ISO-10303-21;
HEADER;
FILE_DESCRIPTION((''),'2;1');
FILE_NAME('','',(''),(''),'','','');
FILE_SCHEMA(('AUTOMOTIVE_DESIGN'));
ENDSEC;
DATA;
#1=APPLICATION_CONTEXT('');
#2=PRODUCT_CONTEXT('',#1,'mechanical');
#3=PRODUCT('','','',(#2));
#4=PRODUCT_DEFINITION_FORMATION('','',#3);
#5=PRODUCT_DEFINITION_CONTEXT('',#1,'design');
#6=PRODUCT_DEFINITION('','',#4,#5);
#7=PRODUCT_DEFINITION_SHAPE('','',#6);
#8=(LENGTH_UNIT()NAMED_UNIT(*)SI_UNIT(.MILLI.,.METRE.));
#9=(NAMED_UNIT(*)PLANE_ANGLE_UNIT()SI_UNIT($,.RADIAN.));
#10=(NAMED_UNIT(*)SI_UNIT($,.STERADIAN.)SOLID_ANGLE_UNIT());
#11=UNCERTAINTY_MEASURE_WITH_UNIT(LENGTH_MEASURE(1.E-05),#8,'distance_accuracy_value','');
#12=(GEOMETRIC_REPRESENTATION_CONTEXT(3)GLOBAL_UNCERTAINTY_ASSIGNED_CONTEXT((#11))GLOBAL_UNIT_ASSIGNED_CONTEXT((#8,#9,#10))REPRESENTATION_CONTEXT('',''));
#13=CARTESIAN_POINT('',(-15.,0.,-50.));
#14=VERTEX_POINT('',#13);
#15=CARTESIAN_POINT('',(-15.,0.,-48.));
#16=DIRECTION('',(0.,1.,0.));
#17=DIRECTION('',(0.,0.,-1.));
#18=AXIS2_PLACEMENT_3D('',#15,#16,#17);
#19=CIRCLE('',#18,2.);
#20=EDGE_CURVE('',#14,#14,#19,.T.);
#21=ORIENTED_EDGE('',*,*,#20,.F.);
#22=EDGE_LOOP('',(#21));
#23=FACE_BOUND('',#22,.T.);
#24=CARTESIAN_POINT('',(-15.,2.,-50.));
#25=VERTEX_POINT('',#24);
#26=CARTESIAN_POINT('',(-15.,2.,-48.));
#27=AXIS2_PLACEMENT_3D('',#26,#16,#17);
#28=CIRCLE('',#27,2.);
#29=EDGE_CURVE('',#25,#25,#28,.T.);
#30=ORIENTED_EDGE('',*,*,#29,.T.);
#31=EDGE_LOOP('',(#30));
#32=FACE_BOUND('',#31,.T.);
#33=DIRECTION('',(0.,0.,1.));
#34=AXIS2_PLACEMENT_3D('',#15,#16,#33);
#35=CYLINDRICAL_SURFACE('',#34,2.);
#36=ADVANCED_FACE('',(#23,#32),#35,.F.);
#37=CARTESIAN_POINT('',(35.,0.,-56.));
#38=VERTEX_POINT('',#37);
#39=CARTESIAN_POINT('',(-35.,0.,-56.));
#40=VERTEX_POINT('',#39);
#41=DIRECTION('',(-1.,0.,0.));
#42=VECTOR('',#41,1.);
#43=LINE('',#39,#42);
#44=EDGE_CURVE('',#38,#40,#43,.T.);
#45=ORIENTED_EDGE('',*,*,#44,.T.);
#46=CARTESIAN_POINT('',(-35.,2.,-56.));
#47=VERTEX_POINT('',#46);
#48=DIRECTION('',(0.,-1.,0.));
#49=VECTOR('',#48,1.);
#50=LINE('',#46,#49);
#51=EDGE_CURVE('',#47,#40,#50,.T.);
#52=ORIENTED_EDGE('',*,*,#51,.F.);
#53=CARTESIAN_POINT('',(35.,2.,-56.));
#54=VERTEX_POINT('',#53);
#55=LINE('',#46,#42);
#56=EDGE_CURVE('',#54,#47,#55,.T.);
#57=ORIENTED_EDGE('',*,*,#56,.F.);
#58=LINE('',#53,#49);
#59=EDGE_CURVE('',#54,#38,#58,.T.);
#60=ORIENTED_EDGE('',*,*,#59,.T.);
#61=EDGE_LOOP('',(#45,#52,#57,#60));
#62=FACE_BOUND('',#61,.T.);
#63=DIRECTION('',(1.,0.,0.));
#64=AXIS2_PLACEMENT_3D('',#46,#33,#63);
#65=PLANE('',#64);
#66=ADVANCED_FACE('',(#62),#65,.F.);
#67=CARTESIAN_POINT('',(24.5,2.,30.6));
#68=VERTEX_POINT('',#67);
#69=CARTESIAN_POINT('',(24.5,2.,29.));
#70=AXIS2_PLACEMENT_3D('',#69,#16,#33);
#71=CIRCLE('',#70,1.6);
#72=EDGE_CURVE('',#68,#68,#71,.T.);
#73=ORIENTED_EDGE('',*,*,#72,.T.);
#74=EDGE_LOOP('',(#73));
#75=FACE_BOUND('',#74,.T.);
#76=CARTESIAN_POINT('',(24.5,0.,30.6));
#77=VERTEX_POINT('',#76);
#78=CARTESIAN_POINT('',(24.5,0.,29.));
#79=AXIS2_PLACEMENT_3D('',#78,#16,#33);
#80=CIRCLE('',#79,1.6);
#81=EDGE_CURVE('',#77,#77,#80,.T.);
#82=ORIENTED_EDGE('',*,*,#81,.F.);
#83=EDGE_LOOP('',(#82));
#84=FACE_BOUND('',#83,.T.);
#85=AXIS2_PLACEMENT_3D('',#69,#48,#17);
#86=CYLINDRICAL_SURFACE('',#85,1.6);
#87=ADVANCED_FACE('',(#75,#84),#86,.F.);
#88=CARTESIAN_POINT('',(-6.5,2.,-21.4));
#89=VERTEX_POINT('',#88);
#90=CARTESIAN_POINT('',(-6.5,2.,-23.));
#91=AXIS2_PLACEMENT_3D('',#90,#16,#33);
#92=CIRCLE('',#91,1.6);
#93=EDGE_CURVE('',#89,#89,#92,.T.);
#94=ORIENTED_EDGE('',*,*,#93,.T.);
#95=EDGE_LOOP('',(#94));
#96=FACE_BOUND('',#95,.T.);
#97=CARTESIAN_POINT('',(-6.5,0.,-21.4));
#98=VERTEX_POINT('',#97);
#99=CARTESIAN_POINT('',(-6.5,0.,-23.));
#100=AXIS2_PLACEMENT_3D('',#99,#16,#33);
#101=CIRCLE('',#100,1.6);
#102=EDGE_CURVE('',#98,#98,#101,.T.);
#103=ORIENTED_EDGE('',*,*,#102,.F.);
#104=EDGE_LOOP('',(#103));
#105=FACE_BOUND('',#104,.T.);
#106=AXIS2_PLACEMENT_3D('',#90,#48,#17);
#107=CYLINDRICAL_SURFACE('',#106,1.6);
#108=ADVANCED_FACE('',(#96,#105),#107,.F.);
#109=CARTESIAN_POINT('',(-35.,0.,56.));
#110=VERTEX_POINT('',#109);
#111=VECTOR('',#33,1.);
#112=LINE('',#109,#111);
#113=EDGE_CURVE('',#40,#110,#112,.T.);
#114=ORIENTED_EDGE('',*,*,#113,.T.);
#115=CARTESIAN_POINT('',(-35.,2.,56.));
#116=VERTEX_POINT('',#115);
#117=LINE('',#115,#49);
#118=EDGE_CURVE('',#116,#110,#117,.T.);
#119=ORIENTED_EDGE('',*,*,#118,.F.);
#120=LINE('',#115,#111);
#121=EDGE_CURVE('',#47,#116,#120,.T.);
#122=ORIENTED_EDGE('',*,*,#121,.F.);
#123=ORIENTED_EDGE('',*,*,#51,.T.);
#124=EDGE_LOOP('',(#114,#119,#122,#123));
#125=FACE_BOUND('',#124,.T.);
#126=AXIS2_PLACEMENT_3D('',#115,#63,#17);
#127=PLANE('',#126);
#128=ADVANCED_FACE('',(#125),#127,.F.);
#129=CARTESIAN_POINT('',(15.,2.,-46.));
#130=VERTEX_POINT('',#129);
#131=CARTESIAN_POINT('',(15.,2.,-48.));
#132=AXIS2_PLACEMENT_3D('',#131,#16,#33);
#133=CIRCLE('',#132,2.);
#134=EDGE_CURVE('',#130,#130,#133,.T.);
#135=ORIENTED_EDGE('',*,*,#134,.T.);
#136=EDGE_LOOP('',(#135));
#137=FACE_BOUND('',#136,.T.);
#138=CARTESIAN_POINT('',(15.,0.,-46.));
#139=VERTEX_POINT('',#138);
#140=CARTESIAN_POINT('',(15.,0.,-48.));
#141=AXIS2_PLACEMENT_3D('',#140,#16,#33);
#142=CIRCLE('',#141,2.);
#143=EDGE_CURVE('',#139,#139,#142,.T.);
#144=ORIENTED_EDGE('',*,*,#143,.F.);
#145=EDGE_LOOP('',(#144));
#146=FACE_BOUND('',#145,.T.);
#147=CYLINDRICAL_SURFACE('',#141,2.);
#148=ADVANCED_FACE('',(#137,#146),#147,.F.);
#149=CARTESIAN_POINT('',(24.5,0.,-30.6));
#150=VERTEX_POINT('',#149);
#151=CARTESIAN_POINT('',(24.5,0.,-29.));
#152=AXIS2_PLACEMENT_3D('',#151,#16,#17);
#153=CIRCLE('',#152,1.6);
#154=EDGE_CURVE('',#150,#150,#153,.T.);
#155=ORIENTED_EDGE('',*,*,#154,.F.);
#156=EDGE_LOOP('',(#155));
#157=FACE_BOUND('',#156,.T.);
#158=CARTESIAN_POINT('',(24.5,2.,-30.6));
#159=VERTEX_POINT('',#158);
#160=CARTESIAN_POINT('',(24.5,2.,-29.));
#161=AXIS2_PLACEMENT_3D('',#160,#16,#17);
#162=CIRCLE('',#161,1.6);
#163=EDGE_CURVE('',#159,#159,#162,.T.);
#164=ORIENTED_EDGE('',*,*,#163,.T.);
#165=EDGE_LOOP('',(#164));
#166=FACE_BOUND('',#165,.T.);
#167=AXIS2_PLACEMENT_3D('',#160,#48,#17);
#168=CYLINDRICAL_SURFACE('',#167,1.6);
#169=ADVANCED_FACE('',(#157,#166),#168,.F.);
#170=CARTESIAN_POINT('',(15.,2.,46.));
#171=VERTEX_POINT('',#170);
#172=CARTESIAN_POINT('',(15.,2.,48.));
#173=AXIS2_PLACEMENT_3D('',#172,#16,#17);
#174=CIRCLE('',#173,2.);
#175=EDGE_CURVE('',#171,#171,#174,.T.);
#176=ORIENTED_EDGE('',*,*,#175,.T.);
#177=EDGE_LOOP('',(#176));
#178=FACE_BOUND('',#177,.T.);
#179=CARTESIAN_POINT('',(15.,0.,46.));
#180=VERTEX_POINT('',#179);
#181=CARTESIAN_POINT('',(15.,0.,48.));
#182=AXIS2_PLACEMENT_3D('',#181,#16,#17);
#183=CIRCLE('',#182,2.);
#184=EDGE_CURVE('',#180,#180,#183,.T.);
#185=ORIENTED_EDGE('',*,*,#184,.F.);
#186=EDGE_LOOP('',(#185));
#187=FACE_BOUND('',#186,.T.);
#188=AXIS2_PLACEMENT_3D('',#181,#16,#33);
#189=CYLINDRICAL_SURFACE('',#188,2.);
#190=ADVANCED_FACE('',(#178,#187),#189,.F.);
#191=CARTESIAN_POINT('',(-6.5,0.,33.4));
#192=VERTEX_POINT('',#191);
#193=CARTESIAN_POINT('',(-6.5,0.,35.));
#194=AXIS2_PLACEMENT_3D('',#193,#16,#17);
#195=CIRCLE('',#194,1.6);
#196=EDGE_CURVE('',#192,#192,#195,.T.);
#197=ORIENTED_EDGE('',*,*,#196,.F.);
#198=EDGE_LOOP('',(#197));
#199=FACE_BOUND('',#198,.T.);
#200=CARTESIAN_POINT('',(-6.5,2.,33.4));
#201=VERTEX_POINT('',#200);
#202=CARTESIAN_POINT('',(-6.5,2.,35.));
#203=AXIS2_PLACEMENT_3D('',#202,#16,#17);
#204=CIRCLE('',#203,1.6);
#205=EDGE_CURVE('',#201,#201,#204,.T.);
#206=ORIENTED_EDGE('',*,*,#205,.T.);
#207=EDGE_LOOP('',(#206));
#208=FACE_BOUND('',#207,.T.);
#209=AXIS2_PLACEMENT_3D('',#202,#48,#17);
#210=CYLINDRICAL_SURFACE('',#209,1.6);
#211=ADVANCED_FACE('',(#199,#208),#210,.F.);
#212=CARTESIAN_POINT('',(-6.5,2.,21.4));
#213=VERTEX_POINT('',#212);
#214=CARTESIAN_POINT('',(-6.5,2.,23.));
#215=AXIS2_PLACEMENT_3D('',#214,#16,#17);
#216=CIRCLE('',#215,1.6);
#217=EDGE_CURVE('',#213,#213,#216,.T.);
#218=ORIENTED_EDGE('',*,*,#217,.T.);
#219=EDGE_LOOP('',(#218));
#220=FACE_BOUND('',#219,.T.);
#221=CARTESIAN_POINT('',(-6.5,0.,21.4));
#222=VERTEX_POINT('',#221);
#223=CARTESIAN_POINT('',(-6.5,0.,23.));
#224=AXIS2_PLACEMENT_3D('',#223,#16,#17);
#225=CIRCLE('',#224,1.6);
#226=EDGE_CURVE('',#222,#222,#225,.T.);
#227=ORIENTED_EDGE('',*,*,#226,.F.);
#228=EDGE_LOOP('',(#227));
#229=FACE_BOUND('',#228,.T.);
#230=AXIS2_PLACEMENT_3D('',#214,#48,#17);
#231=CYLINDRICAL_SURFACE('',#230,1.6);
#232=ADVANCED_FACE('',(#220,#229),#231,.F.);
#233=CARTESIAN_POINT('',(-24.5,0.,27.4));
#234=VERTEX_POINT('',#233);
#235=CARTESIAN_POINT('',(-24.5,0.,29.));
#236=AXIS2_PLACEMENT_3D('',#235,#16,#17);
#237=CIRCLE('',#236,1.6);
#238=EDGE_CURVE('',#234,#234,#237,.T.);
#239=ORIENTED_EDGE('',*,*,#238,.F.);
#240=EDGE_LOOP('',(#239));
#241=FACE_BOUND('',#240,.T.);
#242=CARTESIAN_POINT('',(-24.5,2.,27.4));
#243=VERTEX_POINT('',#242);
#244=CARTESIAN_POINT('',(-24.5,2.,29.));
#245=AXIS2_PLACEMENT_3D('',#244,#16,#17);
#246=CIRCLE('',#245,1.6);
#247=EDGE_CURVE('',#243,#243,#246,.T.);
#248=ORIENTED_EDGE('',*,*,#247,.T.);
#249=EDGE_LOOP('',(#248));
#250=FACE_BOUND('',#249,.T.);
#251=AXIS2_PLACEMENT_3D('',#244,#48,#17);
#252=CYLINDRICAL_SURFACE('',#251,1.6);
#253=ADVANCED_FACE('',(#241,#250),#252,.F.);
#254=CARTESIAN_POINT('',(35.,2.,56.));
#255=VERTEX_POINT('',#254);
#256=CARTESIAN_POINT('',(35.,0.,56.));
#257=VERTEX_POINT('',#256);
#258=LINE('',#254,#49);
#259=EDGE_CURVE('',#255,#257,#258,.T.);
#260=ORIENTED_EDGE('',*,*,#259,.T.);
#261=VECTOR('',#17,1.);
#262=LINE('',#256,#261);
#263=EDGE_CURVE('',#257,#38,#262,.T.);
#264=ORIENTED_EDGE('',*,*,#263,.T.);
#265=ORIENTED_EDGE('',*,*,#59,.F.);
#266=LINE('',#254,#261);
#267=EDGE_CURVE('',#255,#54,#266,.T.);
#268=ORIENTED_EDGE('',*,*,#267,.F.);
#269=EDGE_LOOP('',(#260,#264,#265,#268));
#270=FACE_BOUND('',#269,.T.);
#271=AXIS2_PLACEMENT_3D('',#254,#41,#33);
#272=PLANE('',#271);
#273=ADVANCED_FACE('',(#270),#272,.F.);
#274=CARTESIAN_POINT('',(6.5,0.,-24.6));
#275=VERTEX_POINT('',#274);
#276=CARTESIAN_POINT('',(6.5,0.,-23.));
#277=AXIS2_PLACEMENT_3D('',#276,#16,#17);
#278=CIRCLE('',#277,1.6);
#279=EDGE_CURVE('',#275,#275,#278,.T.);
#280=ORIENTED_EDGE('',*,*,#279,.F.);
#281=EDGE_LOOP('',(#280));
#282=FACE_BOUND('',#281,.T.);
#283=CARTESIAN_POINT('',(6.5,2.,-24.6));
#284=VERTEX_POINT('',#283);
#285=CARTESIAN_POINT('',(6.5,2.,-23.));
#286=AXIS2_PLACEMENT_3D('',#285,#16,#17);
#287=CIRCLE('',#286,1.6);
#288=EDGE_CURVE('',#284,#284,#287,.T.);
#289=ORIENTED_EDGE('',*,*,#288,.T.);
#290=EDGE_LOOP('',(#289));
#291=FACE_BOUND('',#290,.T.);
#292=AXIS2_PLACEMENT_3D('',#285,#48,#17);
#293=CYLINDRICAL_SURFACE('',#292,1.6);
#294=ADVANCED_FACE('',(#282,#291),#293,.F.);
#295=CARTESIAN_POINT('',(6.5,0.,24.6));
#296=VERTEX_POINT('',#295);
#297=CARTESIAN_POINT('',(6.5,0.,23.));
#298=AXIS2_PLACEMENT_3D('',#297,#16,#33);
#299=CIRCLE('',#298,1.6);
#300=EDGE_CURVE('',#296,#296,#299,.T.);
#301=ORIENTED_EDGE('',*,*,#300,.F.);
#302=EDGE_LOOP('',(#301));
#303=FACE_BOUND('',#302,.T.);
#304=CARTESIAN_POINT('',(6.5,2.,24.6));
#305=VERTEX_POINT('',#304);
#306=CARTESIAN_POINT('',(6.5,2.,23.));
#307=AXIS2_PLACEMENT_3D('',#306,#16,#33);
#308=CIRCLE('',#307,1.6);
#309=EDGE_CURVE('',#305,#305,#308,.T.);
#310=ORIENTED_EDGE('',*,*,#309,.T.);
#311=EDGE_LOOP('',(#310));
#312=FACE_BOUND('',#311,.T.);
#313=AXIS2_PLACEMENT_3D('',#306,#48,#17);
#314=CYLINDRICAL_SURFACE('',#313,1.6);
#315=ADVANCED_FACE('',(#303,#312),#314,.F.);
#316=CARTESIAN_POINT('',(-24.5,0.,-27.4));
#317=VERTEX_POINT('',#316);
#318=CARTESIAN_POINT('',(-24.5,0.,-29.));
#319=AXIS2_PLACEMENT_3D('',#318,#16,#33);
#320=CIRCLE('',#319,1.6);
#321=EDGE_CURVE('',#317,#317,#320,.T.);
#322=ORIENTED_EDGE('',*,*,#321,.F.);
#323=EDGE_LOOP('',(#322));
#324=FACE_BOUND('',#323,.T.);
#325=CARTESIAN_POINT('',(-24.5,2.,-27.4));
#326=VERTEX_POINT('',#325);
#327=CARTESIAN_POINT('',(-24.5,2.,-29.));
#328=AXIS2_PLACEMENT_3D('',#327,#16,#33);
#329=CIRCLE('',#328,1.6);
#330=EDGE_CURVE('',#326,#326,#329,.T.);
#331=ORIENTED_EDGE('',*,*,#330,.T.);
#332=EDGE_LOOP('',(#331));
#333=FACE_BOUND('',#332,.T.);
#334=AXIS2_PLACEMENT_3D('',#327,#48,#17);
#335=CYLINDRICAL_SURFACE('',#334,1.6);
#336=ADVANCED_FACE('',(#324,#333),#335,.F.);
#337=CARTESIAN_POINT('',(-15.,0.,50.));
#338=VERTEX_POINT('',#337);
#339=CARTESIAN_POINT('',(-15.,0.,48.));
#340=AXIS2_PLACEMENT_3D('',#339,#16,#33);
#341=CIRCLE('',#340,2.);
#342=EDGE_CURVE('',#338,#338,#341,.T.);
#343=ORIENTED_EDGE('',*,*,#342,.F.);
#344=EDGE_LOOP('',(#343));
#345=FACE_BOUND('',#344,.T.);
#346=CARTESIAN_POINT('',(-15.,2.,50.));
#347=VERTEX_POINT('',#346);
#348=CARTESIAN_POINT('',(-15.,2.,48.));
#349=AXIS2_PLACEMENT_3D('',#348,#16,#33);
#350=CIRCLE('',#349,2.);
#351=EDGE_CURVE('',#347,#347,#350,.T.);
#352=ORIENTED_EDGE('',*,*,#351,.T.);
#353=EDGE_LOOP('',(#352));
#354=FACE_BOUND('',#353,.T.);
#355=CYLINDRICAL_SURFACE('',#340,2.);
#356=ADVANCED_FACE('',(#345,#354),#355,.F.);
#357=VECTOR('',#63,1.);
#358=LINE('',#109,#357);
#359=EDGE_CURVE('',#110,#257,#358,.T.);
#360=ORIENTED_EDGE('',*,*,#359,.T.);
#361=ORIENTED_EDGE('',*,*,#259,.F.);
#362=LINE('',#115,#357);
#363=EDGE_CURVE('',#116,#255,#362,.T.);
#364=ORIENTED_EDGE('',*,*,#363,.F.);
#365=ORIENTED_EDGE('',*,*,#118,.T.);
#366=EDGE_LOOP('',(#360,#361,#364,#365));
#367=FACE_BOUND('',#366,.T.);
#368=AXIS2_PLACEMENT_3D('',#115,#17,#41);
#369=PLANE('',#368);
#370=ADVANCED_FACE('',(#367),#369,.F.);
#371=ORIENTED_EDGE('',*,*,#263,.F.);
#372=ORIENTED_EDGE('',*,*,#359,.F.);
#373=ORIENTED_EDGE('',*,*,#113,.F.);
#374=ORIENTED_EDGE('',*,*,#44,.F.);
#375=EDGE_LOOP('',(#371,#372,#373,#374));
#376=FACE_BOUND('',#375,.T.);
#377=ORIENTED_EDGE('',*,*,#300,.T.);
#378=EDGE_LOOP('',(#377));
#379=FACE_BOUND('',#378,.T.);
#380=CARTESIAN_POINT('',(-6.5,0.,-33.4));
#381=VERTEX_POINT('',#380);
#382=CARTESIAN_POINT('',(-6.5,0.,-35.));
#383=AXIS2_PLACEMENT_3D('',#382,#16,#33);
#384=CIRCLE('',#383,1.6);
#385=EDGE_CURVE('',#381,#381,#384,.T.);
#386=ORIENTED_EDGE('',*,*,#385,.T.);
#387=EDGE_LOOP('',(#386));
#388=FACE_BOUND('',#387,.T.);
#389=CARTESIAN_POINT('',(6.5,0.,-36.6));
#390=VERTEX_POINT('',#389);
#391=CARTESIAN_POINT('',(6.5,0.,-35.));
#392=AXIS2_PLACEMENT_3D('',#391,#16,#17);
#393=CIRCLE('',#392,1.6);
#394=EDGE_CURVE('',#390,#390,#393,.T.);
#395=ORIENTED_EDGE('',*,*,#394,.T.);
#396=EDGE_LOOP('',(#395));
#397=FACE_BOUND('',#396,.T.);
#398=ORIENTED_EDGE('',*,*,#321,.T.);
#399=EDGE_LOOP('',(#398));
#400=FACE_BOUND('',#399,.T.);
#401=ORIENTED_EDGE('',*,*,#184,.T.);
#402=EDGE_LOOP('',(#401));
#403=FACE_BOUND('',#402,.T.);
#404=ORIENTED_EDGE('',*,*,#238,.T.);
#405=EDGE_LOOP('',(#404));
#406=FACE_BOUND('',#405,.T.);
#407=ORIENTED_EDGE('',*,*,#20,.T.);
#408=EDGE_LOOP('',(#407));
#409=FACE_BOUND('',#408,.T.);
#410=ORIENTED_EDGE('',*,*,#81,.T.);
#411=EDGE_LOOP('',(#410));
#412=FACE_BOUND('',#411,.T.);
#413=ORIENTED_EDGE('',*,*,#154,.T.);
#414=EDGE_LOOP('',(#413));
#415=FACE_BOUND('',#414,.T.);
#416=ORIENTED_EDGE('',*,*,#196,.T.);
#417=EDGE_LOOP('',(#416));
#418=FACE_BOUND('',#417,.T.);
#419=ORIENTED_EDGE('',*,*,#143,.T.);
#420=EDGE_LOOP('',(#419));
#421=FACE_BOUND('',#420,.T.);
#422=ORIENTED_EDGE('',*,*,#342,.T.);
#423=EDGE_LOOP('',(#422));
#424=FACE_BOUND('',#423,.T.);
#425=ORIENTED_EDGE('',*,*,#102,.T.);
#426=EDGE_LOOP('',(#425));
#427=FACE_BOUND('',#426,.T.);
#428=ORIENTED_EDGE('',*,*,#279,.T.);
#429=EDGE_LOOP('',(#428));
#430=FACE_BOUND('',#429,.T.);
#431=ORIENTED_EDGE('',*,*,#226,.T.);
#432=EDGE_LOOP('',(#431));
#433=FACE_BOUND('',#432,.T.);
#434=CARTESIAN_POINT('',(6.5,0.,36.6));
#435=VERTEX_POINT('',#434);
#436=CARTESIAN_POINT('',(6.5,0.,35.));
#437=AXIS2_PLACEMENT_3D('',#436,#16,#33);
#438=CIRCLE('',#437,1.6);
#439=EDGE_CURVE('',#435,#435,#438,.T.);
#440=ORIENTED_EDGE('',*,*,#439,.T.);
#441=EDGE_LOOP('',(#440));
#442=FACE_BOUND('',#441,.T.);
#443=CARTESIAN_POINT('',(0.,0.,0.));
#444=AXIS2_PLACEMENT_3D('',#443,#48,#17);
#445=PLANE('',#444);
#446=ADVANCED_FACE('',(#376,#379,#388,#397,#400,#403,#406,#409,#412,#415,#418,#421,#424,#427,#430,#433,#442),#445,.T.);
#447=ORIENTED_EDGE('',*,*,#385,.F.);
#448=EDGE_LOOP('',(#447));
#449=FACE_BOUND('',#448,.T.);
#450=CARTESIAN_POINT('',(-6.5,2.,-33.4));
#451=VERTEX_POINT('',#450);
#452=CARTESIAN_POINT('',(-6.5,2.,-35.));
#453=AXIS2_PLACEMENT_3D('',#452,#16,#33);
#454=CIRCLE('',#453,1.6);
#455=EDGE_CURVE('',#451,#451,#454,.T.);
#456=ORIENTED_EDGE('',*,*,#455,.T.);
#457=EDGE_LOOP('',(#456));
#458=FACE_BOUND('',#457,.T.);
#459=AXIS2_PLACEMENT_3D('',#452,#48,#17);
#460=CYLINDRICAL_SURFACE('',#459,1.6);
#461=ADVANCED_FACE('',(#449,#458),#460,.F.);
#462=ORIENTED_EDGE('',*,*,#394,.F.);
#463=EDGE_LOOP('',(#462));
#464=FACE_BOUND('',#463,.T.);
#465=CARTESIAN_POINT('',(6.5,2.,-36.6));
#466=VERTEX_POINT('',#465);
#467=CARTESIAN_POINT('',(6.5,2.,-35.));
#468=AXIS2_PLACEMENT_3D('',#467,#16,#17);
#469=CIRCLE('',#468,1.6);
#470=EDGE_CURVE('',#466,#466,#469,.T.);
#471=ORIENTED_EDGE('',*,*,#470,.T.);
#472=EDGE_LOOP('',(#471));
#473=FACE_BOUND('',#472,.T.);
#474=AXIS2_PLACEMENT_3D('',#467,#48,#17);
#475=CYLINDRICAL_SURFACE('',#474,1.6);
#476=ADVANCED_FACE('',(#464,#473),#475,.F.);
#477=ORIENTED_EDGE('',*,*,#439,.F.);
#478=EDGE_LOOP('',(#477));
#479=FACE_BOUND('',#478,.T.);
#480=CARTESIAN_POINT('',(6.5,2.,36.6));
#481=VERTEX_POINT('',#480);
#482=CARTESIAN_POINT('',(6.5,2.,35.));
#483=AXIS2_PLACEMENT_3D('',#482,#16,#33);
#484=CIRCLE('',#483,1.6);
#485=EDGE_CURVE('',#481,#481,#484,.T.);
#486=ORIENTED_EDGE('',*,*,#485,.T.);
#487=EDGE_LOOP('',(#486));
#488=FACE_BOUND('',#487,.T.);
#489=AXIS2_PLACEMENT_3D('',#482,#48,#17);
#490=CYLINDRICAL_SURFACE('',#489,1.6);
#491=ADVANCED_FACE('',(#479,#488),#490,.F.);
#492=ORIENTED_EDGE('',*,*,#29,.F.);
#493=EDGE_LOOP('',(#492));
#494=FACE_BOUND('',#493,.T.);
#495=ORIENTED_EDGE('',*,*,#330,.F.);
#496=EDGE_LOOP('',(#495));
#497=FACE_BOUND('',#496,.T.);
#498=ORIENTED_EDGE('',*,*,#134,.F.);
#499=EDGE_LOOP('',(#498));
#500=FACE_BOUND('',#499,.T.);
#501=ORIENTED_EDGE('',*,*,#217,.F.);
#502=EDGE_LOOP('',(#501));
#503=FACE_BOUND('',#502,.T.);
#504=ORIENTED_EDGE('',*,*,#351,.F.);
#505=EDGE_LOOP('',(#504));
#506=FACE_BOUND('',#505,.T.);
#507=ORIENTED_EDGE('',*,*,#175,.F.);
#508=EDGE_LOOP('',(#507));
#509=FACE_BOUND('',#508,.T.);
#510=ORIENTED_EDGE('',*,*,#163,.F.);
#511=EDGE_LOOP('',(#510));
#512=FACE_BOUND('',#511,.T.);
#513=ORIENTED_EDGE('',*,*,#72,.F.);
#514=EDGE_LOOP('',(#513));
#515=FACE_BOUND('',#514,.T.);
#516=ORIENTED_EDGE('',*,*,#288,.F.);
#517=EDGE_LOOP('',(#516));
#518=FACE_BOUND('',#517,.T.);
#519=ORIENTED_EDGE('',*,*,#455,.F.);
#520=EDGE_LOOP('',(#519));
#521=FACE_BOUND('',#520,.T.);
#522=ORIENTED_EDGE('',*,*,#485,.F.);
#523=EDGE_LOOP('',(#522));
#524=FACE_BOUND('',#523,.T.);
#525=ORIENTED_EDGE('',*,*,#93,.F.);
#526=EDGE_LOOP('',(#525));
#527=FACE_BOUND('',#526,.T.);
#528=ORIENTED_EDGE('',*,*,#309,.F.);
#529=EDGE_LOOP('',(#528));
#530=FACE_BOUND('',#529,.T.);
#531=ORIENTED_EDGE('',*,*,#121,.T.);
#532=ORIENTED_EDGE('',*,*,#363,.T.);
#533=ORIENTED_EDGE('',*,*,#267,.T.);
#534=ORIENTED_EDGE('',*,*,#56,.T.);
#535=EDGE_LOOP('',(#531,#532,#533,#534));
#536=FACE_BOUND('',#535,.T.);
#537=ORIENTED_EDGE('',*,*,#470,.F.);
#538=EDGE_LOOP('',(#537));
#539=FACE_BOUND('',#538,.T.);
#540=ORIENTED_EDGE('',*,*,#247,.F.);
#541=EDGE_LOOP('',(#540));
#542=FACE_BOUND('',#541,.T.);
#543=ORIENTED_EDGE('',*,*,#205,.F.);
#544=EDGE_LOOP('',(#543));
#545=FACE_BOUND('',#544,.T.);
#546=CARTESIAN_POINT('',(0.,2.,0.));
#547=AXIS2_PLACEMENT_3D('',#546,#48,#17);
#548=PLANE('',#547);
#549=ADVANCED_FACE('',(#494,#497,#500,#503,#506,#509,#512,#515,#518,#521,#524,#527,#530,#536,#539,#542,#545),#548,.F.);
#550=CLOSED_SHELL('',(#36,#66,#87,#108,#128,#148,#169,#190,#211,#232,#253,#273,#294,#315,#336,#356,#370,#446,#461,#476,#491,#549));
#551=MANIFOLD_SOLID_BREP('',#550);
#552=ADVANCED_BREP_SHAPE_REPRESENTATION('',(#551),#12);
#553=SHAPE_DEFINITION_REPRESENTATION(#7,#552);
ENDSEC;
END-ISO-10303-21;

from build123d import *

# Parameters (mm, degrees)
SKETCH_2_W          = 70
SKETCH_2_H          = 112
SKETCH_2_R          = 1.6
EXTRUDE_1_DEPTH     = 2
SKETCH_3_R          = 2
CUT_EXTRUDE_1_DEPTH = 3


with BuildPart() as part:
    # 草圖2 → 填料-伸長1 (new body)
    with BuildSketch(Plane(origin=(0, 0, 0), x_dir=(1, 0, 0), z_dir=(0, 1, 0))):
        Rectangle(SKETCH_2_W, SKETCH_2_H)
        with Locations((-6.5, 35)):
            Circle(SKETCH_2_R, mode=Mode.SUBTRACT)
        with Locations((-6.5, -35)):
            Circle(SKETCH_2_R, mode=Mode.SUBTRACT)
        with Locations((-6.5, 23)):
            Circle(SKETCH_2_R, mode=Mode.SUBTRACT)
        with Locations((-6.5, -23)):
            Circle(SKETCH_2_R, mode=Mode.SUBTRACT)
        with Locations((6.5, -35)):
            Circle(SKETCH_2_R, mode=Mode.SUBTRACT)
        with Locations((6.5, -23)):
            Circle(SKETCH_2_R, mode=Mode.SUBTRACT)
        with Locations((6.5, 23)):
            Circle(SKETCH_2_R, mode=Mode.SUBTRACT)
        with Locations((6.5, 35)):
            Circle(SKETCH_2_R, mode=Mode.SUBTRACT)
        with Locations((-24.5, 29)):
            Circle(SKETCH_2_R, mode=Mode.SUBTRACT)
        with Locations((24.5, 29)):
            Circle(SKETCH_2_R, mode=Mode.SUBTRACT)
        with Locations((-24.5, -29)):
            Circle(SKETCH_2_R, mode=Mode.SUBTRACT)
        with Locations((24.5, -29)):
            Circle(SKETCH_2_R, mode=Mode.SUBTRACT)
    extrude(amount=EXTRUDE_1_DEPTH)

    # 草圖3 → 除料-伸長1 (cut, through all)
    with BuildSketch(Plane(origin=(0, 2, 0), x_dir=(1, 0, 0), z_dir=(0, 1, 0))):
        with Locations((-15, -48)):
            Circle(SKETCH_3_R)
        with Locations((-15, 48)):
            Circle(SKETCH_3_R)
        with Locations((15, -48)):
            Circle(SKETCH_3_R)
        with Locations((15, 48)):
            Circle(SKETCH_3_R)
    extrude(amount=-CUT_EXTRUDE_1_DEPTH, mode=Mode.SUBTRACT)


solid = part.part
